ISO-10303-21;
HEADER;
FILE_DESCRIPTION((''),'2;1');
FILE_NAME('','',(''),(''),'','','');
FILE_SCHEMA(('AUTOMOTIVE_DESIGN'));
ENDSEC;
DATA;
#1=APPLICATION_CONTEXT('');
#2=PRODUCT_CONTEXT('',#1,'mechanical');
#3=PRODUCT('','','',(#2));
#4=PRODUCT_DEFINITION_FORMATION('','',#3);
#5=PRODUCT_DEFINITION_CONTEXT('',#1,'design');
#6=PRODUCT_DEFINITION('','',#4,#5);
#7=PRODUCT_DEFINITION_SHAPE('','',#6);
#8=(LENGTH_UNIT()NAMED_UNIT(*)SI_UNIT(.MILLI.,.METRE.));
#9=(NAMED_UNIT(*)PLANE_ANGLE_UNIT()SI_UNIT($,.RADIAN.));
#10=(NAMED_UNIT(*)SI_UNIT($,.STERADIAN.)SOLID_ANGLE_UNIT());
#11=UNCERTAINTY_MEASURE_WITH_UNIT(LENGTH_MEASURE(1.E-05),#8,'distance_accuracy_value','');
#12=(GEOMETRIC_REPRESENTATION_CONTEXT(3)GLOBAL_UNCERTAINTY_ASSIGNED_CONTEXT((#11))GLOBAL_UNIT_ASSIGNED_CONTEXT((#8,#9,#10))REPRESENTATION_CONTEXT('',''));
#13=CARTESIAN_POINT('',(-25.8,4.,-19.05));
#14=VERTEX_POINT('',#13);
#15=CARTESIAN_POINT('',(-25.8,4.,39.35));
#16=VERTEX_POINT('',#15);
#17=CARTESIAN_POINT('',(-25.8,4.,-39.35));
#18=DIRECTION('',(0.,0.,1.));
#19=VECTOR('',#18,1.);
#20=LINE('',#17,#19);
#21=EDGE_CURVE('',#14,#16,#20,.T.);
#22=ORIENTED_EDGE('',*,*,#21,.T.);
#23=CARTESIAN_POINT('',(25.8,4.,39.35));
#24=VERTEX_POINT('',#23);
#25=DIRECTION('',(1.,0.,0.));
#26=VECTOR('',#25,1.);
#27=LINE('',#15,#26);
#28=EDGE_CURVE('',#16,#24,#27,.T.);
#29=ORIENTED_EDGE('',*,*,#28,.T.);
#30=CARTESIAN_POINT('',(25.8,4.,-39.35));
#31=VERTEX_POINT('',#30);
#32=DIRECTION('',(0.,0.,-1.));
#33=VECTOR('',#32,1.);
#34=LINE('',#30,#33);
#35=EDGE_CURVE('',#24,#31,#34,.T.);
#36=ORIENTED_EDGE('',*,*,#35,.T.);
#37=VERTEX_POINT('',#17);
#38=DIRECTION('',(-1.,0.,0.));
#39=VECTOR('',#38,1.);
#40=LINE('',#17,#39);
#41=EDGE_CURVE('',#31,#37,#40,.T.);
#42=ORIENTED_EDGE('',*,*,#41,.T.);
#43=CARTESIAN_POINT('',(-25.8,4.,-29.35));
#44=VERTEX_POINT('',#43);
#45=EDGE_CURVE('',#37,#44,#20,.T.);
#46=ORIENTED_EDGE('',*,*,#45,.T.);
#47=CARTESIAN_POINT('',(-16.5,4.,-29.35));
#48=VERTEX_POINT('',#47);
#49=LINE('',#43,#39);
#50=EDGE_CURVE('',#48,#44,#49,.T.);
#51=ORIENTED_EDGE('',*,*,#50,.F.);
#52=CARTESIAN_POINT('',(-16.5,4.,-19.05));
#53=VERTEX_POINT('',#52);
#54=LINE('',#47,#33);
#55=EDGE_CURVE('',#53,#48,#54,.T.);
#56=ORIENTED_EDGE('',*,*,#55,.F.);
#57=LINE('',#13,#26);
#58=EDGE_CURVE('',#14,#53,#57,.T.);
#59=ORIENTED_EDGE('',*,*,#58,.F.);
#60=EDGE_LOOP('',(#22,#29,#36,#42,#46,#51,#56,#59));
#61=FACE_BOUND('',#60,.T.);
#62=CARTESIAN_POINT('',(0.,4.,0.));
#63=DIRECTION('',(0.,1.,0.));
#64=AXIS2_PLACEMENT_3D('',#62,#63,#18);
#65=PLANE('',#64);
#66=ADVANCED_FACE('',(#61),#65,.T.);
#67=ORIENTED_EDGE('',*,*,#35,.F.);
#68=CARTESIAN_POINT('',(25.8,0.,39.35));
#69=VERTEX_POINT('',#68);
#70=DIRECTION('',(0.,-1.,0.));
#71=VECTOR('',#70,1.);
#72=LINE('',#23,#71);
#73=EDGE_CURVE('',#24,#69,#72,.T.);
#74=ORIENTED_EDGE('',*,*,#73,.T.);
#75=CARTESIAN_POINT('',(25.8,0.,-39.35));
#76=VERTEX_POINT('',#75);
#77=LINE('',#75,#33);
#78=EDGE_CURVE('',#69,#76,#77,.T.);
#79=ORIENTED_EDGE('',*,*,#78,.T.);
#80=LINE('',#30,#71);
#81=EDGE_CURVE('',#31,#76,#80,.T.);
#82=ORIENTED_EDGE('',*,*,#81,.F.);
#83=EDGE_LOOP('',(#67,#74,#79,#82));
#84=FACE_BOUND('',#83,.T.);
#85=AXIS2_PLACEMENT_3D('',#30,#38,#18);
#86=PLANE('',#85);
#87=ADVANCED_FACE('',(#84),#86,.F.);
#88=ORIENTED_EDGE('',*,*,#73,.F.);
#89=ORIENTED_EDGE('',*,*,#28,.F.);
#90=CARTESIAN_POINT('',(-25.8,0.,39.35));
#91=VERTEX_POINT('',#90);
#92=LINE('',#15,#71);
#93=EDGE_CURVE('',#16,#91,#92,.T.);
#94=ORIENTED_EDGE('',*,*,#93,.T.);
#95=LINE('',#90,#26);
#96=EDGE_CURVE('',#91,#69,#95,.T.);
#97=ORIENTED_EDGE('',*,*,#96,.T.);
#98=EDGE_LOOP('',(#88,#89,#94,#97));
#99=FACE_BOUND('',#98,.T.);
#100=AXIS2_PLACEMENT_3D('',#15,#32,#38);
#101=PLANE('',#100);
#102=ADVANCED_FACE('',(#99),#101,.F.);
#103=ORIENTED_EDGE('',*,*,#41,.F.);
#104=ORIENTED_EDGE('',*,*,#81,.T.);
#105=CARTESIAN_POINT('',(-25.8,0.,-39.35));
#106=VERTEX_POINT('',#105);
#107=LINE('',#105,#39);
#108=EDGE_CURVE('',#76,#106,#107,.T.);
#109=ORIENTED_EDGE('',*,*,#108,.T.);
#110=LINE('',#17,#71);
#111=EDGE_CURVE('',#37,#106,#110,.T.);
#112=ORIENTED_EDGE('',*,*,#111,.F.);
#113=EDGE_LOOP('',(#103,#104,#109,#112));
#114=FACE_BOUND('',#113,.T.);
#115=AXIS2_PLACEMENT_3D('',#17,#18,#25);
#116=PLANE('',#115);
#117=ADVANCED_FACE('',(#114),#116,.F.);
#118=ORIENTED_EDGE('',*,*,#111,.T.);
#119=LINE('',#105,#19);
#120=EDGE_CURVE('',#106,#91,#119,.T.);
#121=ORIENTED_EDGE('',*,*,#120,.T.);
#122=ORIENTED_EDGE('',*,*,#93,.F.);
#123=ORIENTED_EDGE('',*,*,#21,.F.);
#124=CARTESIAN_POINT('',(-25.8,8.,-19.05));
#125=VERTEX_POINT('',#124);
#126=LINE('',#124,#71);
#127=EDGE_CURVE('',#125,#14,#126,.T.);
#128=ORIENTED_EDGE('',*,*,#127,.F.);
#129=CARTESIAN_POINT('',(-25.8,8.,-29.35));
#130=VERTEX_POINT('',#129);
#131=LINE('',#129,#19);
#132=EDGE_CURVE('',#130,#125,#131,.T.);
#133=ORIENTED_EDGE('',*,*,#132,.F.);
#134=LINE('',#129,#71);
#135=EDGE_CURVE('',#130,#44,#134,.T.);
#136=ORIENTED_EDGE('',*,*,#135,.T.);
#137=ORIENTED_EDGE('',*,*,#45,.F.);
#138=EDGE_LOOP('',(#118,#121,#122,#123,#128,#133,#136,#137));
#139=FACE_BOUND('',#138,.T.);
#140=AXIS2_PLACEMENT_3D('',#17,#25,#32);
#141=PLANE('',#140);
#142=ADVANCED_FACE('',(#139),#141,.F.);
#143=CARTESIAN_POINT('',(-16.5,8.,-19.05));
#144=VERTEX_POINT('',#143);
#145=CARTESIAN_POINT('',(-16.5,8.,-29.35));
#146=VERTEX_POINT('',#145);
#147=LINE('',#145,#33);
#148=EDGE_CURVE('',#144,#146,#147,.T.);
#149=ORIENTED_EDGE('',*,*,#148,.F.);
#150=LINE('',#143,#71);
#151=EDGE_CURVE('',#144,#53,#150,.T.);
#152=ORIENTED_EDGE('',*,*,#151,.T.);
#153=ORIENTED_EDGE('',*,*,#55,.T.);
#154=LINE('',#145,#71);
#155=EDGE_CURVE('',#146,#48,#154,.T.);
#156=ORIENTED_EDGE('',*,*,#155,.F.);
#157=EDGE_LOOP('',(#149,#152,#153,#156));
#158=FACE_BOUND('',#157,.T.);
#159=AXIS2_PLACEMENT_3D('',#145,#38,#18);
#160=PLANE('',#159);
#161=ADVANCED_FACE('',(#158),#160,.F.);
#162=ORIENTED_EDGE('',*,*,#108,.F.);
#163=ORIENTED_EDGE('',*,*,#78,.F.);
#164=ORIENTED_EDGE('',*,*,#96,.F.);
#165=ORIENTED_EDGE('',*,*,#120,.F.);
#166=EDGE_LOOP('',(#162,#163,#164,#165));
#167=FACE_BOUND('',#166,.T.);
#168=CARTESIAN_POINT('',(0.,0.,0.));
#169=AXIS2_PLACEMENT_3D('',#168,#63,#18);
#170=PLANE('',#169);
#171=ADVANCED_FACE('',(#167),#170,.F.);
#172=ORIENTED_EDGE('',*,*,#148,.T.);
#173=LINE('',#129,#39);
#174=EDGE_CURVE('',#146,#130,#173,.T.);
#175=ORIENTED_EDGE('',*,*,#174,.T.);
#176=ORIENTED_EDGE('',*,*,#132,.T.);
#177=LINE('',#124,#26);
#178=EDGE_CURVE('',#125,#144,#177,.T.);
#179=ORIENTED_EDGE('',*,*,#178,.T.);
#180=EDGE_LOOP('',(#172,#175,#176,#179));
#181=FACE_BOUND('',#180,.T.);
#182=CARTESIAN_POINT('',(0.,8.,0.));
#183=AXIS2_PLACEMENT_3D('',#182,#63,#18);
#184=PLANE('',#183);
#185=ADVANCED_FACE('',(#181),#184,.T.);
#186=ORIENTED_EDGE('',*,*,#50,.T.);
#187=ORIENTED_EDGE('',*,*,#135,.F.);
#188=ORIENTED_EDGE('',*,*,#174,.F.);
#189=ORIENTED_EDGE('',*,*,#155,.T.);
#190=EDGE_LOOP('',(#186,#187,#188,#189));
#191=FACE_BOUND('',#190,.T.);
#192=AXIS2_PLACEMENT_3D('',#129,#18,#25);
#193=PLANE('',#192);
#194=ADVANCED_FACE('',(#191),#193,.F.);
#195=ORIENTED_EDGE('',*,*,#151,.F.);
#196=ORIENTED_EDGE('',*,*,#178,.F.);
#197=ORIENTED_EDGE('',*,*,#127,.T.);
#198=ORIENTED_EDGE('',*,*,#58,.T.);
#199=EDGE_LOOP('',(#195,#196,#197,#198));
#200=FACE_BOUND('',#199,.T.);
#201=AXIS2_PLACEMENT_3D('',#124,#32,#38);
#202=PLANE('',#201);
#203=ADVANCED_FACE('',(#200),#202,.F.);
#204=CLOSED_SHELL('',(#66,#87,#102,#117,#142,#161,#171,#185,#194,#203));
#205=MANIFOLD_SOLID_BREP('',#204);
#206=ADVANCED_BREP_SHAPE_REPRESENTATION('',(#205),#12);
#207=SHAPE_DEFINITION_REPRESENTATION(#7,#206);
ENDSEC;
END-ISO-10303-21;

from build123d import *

# Parameters (mm, degrees)
SKETCH_1_W      = 51.6
SKETCH_1_H      = 78.7
EXTRUDE_1_DEPTH = 4
SKETCH_2_W      = 9.3
SKETCH_2_H      = 10.3
EXTRUDE_2_DEPTH = 4


with BuildPart() as part:
    # 草图1 → 凸台-拉伸1 (new body)
    with BuildSketch(Plane(origin=(0, 0, 0), x_dir=(1, 0, 0), z_dir=(0, 1, 0))):
        Rectangle(SKETCH_1_W, SKETCH_1_H)
    extrude(amount=EXTRUDE_1_DEPTH)

    # 草图2 → 凸台-拉伸2 (add)
    with BuildSketch(Plane(origin=(0, 4, 0), x_dir=(1, 0, 0), z_dir=(0, 1, 0))):
        with Locations((-21.15, 24.2)):
            Rectangle(SKETCH_2_W, SKETCH_2_H)
    extrude(amount=EXTRUDE_2_DEPTH)


solid = part.part
